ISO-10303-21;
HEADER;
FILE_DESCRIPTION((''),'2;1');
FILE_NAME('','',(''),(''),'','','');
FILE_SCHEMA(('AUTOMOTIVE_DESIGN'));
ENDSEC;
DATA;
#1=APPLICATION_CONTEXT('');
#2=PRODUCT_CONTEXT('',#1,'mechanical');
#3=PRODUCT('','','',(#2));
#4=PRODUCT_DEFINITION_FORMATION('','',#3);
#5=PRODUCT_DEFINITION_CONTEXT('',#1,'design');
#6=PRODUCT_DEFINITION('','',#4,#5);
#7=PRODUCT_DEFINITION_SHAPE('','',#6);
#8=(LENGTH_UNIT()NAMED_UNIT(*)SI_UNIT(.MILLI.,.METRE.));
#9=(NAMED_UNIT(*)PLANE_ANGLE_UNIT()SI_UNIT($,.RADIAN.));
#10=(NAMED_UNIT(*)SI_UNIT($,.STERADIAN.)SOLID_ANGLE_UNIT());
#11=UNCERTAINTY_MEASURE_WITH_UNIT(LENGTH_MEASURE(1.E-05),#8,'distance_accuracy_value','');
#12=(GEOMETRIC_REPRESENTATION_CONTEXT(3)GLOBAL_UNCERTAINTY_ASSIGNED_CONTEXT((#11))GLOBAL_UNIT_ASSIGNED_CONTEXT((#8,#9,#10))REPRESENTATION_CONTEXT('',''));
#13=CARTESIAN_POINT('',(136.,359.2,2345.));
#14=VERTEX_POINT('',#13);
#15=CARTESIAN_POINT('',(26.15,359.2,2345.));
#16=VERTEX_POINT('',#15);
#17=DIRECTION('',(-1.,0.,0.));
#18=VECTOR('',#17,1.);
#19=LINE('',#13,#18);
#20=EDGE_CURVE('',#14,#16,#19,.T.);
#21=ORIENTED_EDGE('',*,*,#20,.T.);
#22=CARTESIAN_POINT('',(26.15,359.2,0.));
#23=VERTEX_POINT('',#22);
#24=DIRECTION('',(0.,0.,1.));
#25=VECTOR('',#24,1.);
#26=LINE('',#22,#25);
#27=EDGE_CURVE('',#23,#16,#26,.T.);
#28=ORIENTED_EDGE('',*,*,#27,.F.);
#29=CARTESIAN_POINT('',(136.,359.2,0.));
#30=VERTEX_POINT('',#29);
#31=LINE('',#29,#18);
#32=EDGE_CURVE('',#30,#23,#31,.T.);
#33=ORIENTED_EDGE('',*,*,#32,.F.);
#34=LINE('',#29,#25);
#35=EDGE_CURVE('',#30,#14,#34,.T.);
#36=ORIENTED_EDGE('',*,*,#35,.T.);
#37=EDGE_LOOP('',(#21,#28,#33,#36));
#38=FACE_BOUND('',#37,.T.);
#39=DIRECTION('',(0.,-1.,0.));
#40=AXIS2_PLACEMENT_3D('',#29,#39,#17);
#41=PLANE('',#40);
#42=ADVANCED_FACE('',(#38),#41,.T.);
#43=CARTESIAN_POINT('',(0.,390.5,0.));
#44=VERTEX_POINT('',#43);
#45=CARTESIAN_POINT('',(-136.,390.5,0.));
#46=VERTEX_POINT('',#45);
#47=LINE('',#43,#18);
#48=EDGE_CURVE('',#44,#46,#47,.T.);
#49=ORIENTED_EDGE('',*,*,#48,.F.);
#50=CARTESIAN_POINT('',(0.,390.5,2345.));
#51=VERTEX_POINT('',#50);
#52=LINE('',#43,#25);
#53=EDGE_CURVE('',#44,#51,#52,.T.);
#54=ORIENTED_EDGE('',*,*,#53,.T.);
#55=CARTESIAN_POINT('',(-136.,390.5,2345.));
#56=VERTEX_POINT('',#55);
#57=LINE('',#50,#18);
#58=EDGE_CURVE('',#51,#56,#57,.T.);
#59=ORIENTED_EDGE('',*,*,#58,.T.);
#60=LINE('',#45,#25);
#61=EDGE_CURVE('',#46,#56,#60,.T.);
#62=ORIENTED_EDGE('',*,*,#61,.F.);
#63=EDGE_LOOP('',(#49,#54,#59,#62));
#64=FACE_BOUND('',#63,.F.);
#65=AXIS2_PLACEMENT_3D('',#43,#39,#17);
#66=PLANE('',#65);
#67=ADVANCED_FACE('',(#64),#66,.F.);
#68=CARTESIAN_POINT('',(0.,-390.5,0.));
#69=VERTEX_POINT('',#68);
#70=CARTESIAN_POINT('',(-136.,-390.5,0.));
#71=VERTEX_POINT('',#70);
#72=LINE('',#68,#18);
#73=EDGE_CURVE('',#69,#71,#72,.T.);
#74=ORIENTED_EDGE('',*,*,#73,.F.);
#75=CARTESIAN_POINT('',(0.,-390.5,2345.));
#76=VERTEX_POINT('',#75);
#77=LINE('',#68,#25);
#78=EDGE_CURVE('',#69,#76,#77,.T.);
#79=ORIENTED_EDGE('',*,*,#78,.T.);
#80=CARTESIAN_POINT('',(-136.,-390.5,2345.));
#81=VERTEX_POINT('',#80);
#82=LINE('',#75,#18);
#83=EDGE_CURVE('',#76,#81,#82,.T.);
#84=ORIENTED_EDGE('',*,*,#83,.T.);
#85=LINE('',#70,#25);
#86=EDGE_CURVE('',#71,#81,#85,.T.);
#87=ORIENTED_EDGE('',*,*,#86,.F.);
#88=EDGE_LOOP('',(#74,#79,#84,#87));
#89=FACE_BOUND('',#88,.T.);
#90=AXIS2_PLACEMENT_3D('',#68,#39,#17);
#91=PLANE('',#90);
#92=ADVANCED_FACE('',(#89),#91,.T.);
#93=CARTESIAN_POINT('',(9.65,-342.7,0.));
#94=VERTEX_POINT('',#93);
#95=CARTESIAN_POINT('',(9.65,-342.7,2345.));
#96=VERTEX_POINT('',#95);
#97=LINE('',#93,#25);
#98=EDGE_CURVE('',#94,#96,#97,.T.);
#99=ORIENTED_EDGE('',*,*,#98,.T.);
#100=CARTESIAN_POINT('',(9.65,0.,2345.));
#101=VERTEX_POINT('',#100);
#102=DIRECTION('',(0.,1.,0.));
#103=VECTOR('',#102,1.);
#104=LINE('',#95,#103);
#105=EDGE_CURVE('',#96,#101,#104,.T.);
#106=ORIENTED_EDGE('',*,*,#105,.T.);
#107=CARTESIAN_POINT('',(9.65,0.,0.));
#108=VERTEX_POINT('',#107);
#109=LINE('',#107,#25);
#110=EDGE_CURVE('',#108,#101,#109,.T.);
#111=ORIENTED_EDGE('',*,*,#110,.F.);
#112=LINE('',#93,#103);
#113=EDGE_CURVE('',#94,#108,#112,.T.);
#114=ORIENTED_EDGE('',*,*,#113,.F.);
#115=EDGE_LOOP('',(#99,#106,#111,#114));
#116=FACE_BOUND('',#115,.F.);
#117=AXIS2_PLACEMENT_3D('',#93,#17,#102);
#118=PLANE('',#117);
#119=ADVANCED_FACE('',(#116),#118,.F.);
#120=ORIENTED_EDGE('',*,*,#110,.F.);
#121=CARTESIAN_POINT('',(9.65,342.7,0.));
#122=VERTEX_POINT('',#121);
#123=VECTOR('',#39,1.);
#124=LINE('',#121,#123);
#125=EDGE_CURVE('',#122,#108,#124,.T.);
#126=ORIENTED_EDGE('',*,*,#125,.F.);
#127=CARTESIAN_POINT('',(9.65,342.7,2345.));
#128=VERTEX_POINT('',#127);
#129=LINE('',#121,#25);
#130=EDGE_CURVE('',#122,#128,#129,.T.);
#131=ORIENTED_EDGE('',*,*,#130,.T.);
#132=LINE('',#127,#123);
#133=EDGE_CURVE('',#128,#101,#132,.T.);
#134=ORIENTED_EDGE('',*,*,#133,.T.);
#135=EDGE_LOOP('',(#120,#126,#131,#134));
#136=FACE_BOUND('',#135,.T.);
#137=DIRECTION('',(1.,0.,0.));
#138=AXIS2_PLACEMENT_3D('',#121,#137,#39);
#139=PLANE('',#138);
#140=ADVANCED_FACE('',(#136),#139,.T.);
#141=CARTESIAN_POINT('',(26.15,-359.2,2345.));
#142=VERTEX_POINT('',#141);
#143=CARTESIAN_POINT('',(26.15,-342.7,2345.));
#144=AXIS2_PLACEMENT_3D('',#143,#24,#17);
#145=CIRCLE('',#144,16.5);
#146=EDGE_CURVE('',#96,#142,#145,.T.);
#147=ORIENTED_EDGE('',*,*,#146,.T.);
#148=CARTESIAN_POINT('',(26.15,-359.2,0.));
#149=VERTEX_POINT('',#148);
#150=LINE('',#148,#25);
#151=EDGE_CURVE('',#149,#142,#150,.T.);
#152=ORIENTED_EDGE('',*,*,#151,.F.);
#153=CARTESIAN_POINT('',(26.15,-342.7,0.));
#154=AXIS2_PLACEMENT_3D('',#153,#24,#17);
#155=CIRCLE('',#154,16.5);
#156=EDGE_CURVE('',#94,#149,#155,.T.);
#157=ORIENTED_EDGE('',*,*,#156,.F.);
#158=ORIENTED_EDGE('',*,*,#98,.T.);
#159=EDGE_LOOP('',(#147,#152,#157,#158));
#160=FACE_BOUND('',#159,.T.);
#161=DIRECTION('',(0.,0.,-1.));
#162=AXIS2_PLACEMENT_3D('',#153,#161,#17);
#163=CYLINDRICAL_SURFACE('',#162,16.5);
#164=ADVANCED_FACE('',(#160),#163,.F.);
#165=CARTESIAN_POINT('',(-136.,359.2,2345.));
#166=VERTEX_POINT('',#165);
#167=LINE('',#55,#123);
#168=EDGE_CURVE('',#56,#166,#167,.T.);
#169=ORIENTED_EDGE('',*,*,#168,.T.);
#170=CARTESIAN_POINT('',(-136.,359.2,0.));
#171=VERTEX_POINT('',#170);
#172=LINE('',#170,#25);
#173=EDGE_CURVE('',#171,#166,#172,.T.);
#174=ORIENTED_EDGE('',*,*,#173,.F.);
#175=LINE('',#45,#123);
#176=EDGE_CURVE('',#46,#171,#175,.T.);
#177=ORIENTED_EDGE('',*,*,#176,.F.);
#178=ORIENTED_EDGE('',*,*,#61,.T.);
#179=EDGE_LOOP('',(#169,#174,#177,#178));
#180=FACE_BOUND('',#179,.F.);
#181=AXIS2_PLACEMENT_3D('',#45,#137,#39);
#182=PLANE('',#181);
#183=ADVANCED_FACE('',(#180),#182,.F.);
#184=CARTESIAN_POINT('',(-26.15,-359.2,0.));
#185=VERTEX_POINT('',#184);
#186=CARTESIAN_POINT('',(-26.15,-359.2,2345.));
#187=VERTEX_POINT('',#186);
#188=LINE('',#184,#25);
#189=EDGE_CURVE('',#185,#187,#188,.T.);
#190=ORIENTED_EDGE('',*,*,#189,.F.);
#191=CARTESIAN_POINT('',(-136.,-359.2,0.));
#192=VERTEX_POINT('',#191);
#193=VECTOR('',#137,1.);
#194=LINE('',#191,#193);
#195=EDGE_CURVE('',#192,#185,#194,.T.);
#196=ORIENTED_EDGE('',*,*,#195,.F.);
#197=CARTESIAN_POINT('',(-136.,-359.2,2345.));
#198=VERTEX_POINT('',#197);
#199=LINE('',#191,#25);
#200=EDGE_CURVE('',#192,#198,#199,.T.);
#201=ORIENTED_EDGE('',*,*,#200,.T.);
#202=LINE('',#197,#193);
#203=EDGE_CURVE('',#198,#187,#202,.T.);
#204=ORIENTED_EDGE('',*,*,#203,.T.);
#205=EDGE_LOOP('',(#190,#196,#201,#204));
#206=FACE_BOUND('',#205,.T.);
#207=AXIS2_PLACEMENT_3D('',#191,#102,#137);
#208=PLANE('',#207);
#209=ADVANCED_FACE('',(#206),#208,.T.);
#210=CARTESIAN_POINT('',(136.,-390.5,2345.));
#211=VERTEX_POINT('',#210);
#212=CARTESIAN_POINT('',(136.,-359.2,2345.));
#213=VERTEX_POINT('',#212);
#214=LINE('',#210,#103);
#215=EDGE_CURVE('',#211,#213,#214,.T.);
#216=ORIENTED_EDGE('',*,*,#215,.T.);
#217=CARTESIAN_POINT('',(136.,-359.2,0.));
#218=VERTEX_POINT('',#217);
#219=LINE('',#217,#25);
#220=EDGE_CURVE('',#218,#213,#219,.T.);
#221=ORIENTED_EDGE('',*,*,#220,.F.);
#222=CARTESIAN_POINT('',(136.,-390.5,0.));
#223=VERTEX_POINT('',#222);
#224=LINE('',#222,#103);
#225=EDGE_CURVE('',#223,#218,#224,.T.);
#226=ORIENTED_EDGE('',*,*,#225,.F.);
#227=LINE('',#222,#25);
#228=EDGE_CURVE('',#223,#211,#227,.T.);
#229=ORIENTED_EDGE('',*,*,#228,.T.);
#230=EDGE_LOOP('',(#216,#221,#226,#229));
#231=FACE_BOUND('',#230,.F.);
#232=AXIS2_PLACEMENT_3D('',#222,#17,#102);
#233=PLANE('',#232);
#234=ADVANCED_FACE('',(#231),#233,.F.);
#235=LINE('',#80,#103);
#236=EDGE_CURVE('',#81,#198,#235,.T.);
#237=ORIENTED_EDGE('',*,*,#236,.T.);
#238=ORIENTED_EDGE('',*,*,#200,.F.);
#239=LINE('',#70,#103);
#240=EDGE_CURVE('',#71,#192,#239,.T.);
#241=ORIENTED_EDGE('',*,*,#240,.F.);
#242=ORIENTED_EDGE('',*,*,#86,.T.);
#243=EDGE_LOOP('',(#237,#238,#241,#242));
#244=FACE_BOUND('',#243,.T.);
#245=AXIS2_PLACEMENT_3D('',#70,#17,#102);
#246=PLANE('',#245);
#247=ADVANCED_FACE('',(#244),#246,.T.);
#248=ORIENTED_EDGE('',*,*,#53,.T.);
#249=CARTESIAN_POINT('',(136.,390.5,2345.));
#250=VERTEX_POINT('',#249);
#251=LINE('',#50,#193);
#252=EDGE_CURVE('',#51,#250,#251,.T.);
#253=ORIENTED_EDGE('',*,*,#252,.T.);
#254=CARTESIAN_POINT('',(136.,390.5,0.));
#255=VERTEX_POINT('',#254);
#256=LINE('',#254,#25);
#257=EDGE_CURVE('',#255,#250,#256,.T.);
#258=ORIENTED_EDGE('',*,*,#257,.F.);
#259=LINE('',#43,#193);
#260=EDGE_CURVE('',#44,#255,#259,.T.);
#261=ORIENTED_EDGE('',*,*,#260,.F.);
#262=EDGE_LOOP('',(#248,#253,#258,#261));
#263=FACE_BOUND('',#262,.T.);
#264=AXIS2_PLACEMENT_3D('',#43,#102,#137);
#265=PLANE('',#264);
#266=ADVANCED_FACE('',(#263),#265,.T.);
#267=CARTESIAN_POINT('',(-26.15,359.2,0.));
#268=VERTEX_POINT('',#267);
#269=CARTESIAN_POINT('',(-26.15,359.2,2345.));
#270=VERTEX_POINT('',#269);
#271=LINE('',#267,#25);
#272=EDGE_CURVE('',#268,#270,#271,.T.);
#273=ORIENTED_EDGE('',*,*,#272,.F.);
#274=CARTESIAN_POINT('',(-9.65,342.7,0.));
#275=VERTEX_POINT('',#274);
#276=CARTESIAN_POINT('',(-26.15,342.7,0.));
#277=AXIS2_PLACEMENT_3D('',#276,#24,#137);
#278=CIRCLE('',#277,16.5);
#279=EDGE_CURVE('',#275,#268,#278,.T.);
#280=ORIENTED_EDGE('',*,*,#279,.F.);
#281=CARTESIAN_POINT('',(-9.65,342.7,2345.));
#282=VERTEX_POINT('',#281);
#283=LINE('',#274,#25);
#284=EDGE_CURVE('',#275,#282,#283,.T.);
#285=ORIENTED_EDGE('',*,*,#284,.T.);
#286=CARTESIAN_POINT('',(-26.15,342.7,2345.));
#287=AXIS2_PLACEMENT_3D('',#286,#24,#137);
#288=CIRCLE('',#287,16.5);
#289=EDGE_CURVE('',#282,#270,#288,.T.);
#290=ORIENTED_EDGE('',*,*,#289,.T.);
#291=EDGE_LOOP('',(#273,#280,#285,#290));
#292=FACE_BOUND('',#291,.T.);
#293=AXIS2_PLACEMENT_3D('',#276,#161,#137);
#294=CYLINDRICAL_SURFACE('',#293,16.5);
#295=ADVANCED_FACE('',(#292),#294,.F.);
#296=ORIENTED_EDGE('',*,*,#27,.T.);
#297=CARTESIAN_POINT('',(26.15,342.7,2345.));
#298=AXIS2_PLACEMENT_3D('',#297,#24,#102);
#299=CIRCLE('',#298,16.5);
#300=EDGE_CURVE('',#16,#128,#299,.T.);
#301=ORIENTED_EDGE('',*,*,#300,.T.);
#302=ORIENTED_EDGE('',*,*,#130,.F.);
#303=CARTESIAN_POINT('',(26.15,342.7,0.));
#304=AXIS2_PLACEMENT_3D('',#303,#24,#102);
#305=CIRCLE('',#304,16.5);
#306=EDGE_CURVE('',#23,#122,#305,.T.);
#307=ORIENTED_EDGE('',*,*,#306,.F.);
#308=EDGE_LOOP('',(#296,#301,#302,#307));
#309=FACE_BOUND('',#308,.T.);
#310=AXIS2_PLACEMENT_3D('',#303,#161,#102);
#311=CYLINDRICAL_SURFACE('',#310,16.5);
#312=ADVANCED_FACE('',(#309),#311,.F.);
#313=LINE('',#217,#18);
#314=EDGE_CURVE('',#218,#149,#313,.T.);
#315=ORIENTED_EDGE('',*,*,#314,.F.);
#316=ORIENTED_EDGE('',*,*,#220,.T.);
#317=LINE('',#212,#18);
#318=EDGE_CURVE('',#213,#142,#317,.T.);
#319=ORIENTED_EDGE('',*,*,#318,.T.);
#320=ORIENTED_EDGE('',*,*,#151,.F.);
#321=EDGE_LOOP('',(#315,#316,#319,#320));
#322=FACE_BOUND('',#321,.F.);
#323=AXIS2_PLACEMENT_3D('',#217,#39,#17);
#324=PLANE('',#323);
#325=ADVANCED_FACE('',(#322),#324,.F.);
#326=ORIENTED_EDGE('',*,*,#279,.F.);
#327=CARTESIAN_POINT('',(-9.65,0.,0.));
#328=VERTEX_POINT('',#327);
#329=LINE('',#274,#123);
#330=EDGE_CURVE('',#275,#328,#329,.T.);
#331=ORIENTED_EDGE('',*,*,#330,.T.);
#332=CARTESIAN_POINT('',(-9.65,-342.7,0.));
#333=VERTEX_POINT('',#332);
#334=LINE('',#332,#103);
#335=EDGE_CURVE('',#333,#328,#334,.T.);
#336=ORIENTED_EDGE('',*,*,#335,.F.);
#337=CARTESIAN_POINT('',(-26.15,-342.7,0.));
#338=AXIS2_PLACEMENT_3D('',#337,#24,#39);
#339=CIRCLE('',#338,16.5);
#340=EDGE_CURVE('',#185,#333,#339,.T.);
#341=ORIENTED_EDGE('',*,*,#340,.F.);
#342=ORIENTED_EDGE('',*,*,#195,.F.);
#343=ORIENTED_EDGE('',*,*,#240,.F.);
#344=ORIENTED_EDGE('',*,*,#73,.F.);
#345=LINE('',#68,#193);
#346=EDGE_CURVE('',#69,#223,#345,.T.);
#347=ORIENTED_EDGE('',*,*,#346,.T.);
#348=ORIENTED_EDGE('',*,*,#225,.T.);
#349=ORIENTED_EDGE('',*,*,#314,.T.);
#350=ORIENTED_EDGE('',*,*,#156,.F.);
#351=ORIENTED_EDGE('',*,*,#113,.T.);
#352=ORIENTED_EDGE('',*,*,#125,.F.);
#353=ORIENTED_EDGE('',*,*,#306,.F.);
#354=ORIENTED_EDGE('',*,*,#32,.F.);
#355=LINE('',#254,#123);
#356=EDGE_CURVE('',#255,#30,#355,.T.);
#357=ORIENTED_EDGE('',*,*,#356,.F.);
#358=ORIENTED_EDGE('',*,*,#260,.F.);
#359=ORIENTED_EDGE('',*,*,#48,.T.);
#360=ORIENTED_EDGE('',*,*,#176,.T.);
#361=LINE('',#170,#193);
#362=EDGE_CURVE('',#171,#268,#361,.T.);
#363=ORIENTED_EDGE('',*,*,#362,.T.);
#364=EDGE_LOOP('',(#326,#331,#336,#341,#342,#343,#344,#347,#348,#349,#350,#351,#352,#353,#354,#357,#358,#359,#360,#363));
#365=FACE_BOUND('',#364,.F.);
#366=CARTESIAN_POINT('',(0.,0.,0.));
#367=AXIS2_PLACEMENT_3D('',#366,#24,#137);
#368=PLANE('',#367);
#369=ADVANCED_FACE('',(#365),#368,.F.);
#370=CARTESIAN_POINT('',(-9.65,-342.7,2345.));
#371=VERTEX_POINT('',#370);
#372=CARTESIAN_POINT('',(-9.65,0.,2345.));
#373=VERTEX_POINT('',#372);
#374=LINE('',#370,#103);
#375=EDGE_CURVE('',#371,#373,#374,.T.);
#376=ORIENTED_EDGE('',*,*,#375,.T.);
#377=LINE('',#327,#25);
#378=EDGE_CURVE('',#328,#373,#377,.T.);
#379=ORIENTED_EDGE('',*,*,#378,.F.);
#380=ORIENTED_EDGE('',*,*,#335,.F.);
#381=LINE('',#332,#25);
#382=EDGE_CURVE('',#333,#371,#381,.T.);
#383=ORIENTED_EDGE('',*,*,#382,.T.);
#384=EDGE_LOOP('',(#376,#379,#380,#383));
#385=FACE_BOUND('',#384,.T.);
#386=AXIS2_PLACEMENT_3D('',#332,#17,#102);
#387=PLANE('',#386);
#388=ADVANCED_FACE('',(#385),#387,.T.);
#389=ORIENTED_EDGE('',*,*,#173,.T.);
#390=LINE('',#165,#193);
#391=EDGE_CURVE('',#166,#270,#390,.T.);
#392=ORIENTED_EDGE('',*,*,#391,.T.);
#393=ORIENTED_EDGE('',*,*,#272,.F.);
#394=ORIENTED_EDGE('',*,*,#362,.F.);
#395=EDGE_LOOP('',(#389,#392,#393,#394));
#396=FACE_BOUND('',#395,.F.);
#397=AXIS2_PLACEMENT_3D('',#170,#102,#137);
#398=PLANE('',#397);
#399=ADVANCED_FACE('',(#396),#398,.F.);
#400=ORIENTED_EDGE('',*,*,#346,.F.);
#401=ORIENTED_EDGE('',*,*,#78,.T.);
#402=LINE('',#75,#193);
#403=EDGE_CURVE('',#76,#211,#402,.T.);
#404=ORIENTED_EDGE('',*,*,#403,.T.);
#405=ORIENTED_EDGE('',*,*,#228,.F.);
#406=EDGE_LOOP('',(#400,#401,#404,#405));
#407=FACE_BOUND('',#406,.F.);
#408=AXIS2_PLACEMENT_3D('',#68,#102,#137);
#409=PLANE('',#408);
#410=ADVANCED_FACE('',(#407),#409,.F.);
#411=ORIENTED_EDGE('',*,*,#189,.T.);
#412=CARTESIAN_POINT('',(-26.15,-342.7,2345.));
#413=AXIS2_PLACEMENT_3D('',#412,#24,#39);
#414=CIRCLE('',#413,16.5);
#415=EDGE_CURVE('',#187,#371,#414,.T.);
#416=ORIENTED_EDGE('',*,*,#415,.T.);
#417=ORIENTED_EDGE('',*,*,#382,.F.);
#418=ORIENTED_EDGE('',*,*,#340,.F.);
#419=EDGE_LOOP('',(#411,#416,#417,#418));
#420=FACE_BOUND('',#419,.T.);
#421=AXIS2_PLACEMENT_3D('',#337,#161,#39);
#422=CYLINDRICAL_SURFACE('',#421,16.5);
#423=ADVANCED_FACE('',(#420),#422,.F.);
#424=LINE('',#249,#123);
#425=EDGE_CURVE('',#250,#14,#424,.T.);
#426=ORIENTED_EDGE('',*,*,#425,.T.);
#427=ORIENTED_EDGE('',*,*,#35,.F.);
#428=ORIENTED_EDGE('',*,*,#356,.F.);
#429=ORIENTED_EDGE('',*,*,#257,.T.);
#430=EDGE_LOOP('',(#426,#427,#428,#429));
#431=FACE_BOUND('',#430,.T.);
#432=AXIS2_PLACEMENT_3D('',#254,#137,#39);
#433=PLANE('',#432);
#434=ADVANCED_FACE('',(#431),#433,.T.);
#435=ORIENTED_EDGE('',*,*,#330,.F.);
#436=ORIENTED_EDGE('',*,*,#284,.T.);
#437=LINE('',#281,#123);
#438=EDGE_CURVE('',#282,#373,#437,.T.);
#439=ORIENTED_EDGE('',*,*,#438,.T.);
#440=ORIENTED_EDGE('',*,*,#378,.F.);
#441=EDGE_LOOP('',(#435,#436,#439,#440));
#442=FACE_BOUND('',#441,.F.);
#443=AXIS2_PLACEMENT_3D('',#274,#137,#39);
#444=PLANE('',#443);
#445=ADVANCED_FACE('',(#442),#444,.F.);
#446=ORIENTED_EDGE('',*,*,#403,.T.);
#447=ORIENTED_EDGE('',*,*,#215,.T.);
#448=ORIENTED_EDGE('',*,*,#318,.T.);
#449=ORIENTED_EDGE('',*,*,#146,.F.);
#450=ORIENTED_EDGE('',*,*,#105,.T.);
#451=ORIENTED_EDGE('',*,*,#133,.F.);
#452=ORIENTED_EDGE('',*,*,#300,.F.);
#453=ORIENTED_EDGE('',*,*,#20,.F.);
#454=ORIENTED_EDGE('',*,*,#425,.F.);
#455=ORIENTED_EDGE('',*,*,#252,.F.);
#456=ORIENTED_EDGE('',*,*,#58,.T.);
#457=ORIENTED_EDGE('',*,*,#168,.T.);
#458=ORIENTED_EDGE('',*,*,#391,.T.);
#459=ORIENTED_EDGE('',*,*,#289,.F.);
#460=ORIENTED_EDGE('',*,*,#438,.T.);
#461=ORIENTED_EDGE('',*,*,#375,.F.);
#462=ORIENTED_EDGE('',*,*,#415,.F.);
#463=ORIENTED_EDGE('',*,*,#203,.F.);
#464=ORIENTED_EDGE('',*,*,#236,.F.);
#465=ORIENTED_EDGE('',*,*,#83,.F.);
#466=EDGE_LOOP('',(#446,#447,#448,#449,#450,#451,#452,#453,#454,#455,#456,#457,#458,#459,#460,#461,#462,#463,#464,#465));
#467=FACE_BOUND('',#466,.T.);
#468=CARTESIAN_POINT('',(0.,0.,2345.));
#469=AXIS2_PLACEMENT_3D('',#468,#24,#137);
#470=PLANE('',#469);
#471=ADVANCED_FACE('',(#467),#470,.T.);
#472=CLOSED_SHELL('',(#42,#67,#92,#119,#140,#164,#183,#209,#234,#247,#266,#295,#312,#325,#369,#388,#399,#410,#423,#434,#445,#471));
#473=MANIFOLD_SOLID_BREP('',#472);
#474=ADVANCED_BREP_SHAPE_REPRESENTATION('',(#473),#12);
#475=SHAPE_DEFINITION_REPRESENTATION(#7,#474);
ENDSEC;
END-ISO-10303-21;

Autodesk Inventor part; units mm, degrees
ref_plane "YZ Plane" through (0, 0, 0) normal (1, 0, 0) x (0, 1, 0)
ref_plane "Start plane" through (0, 0, 0) normal (0, 0, 1) x (1, 0, 0)
ref_plane "End plane" through (0, 0, 2345) normal (0, 0, 1) x (1, 0, 0)
sketch "Sketch" plane through (0, 0, 0) normal (0, 0, 1) x (1, 0, 0)
  line L0 (-136, -390.5) -> (-136, -359.2)
  line L1 (-136, -359.2) -> (-26.15, -359.2)
  line L2 (-9.65, -342.7) -> (-9.65, 0)
  line L3 (-9.65, 0) -> (0, 0) construction
  line L4 (0, 0) -> (0, -390.5) construction
  line L5 (0, -390.5) -> (-136, -390.5)
  line L6 (-60, 0) -> (80, 0) construction
  line L7 (0, -60) -> (0, 80) construction
  line L8 (136, -390.5) -> (136, -359.2)
  line L9 (136, -359.2) -> (26.15, -359.2)
  line L10 (9.65, -342.7) -> (9.65, 0)
  line L11 (9.65, 0) -> (0, 0) construction
  line L12 (0, -390.5) -> (136, -390.5)
  line L13 (-136, 390.5) -> (-136, 359.2)
  line L14 (-136, 359.2) -> (-26.15, 359.2)
  line L15 (-9.65, 342.7) -> (-9.65, 0)
  line L16 (0, 390.5) -> (-136, 390.5)
  line L17 (136, 390.5) -> (136, 359.2)
  line L18 (136, 359.2) -> (26.15, 359.2)
  line L19 (0, 390.5) -> (136, 390.5)
  line L20 (9.65, 342.7) -> (9.65, 0)
  arc A0 (-9.65, 342.7) -> (-26.15, 359.2) centre (-26.15, 342.7) ccw
  arc A1 (26.15, 359.2) -> (9.65, 342.7) centre (26.15, 342.7) ccw
  arc A2 (9.65, -342.7) -> (26.15, -359.2) centre (26.15, -342.7) ccw
  arc A3 (-26.15, -359.2) -> (-9.65, -342.7) centre (-26.15, -342.7) ccw
  line L21 (0, 108) -> (0, -88) construction
  line L22 (-88, 0) -> (108, 0) construction
  point P0 (-9.65, -359.2)
  point P1 (9.65, -359.2)
  point P2 (-9.65, 359.2)
  point P3 (9.65, 359.2)
  dimension "d1" = 390.5
  dimension "d2" = 31.3
  dimension "d3" = 136
  dimension "d4" = 9.65
  dimension "d10" = 16.5
extrude "Body" add sketch "Sketch" along normal up to surface (2345 mm away) from surface at 0
sketch "Sketch4" plane through (0, 0, 0) normal (0, 0, 1) x (1, 0, 0)
  line L0 (0, 0) -> (10, 0)
ref_plane "Work Plane3" through (0, 0, 0) normal (0, -1, 0) x (1, 0, 0)
sketch "Sketch5" plane through (0, 0, 0) normal (0, -1, 0) x (1, 0, 0)
  line L0 (-2, 0) -> (12, 0) projected
  line L1 (-2, 2345) -> (12, 2345) projected
  dimension "d14" = 2345
equation "\"d1\" = 0.5 * G_H"
equation "\"d2\" = G_T1"
equation "\"d3\" = 0.5 * G_W"
equation "\"d4\" = 0.5 * G_T"
equation "\"d10\" = G_IR"
equation "\"d5\" = G_L"
equation "\"G_W\" = 272"
equation "\"G_H\" = 781"
equation "\"G_T\" = 19.3"
equation "\"G_T1\" = 31.3"
equation "\"G_IR\" = 16.5"
equation "\"G_L\" = d14"
equation "\"G_OFFSET_START\" = 0"
equation "\"G_OFFSET_END\" = 0"
equation "\"d12\" = G_OFFSET_END + B_L"
equation "\"B_L\" = 2345"
properties part number "AS 3679-1990 - 760 UB - 244 - 2345" material "Steel, Mild"
